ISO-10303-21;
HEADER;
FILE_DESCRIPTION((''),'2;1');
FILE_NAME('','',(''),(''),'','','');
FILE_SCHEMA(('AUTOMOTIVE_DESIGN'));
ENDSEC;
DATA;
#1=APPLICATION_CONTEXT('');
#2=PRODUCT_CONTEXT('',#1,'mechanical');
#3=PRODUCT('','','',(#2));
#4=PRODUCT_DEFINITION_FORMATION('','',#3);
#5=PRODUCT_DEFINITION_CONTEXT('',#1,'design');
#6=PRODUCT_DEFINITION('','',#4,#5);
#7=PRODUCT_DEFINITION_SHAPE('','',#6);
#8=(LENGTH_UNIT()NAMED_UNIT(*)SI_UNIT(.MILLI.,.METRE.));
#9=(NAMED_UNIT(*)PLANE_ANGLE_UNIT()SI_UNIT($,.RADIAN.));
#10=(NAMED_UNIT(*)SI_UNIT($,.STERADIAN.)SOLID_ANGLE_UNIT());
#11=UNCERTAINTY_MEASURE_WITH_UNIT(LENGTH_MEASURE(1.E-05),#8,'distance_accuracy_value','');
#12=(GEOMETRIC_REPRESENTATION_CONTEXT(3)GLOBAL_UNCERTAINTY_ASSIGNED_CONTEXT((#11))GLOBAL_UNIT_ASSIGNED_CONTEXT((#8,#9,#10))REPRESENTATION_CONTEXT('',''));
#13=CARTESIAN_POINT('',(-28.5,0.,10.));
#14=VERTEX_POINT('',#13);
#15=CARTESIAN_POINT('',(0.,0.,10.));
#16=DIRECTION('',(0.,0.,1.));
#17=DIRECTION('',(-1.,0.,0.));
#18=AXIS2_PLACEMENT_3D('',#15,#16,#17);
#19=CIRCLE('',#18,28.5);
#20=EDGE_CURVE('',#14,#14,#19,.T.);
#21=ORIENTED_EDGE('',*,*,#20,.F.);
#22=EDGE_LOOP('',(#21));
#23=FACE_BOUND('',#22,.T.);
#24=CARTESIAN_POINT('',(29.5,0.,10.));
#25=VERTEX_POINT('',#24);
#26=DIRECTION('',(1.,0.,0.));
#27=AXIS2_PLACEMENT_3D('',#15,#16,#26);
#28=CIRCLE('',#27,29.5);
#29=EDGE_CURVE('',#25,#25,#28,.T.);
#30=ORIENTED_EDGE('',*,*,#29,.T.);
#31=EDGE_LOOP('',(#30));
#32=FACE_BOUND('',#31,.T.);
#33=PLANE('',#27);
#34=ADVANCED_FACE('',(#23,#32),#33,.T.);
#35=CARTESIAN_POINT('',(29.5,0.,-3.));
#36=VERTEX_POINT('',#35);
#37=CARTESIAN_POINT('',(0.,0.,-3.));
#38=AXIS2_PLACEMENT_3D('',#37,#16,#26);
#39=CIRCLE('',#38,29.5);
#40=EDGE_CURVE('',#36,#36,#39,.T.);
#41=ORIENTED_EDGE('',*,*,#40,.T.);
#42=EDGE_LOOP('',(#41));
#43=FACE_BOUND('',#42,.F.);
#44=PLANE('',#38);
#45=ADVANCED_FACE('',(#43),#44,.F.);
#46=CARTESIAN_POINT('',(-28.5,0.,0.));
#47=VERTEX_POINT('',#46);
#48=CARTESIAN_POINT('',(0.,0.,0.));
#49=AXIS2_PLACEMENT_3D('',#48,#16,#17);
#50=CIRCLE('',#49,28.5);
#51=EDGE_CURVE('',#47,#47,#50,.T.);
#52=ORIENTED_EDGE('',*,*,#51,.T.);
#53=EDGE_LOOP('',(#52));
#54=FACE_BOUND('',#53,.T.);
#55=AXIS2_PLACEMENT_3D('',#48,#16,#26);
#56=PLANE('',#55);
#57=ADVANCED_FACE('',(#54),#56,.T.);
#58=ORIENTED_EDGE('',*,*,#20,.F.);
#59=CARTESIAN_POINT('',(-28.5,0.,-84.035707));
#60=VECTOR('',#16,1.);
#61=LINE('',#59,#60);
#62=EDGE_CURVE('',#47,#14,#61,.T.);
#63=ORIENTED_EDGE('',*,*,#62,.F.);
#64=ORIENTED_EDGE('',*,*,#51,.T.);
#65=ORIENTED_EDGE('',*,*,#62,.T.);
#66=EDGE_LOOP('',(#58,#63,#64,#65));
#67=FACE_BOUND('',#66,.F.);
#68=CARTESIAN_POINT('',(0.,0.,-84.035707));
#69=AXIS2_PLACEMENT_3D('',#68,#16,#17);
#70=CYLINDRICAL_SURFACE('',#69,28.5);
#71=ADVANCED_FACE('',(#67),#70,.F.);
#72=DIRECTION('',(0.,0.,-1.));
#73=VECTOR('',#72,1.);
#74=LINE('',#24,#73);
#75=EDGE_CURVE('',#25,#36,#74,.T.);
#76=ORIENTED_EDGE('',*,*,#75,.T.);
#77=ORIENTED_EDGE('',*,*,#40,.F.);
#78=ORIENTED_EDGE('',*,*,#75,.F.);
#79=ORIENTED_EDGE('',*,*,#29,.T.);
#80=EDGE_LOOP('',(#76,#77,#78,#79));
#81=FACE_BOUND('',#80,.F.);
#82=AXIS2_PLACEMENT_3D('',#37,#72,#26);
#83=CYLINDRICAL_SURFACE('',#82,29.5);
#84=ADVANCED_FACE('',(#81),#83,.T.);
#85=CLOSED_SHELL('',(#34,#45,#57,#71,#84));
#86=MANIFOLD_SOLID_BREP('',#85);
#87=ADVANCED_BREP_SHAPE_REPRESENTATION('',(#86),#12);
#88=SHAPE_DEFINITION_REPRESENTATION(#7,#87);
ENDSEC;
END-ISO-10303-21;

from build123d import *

# Parameters (mm, degrees)
F0_R     = 29.5
F2_DEPTH = 10
F3_D     = 57
F5_R     = 29.5
F6_DEPTH = 3


with BuildPart() as f2:
    # F0 (on Top) → F2 (new body)
    with BuildSketch(Plane.XY):
        Circle(F0_R)
    extrude(amount=F2_DEPTH)

    # F3 (through all)
    with Locations(Plane(origin=(0, 0, 0), x_dir=(1, 0, 0), z_dir=(0, 0, -1))):
        with Locations((0, 0)):
            Hole(F3_D / 2)

    # F5 (on offset) → F6 (join)
    with BuildSketch(Plane.XY.offset(-3)):
        Circle(F5_R)
    extrude(amount=F6_DEPTH)


solid = f2.part
